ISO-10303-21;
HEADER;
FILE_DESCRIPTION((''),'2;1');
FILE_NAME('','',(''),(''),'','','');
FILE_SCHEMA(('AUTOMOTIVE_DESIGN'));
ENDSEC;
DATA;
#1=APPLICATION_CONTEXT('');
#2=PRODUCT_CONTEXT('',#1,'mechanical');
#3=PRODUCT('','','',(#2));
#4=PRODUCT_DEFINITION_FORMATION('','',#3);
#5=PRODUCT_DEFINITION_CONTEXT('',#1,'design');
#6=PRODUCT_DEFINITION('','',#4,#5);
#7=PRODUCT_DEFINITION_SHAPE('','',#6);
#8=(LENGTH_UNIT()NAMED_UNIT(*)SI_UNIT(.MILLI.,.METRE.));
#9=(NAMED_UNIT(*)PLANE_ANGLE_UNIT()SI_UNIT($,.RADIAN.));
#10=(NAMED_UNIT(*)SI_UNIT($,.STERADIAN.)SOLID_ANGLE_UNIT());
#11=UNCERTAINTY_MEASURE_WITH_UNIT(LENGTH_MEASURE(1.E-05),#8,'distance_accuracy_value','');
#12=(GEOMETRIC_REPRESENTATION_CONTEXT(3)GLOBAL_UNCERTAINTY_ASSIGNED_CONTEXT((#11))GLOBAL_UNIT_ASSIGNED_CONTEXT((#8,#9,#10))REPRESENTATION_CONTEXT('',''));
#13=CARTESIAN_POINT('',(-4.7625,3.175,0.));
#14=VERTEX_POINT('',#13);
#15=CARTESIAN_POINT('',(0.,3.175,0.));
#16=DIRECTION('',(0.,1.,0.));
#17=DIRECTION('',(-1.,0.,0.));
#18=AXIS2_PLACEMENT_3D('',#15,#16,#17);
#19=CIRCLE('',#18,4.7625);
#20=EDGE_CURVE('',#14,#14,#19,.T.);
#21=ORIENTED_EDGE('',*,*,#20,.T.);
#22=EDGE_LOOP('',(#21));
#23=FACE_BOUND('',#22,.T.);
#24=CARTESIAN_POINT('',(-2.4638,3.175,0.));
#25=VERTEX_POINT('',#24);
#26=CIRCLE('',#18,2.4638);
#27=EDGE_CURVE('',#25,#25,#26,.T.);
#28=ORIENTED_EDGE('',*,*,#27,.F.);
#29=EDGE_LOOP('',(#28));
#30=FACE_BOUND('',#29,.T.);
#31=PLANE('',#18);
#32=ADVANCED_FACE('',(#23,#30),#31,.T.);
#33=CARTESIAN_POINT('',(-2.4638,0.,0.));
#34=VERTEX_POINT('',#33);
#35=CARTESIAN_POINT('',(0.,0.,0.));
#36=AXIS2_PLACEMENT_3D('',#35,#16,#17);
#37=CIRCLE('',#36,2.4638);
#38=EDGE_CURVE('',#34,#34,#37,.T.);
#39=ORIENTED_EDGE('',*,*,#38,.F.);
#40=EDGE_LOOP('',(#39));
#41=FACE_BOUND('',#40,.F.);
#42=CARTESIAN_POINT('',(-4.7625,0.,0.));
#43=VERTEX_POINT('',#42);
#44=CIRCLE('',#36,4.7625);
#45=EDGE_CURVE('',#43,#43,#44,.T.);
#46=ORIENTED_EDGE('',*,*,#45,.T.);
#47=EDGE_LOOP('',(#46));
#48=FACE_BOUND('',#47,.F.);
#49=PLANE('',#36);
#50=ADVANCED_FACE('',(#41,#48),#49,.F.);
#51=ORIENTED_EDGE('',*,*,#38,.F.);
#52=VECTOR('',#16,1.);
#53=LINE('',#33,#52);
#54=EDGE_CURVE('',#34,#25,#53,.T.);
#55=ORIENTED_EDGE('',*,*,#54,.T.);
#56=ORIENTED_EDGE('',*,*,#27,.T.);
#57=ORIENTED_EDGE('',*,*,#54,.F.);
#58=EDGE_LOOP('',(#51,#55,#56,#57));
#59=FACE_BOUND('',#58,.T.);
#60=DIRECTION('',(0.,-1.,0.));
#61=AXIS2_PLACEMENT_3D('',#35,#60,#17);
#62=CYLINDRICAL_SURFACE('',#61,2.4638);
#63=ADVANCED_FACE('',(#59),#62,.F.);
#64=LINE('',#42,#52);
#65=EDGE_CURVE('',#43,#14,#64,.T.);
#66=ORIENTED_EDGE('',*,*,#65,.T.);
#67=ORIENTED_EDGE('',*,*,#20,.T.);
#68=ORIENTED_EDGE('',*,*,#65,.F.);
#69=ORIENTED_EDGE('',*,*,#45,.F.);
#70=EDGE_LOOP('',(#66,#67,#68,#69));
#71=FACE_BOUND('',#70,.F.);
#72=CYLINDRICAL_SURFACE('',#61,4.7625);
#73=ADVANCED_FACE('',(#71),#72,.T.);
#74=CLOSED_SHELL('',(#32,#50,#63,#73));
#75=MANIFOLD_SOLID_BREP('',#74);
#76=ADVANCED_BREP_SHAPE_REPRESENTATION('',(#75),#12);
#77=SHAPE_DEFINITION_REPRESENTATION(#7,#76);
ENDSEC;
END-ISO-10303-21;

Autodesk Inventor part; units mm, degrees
ref_plane "YZ Plane" through (0, 0, 0) normal (1, 0, 0) x (0, 1, 0)
ref_plane "XZ Plane" through (0, 0, 0) normal (0, 1, 0) x (-1, 0, 0)
ref_plane "XY Plane" through (0, 0, 0) normal (0, 0, 1) x (1, 0, 0)
sketch "Sketch1" plane through (0, 0, 0) normal (0, 1, 0) x (-1, 0, 0)
  circle A0 centre (0, 0) radius 2.4638
  circle A1 centre (0, 0) radius 4.7625
  dimension "d0" = 4.9276
  dimension "d1" = 9.525
extrude "Extrusion1" add sketch "Sketch1" along normal blind 3.175
properties part number ".125 in Grey Spacer" material "Nylon 6"
